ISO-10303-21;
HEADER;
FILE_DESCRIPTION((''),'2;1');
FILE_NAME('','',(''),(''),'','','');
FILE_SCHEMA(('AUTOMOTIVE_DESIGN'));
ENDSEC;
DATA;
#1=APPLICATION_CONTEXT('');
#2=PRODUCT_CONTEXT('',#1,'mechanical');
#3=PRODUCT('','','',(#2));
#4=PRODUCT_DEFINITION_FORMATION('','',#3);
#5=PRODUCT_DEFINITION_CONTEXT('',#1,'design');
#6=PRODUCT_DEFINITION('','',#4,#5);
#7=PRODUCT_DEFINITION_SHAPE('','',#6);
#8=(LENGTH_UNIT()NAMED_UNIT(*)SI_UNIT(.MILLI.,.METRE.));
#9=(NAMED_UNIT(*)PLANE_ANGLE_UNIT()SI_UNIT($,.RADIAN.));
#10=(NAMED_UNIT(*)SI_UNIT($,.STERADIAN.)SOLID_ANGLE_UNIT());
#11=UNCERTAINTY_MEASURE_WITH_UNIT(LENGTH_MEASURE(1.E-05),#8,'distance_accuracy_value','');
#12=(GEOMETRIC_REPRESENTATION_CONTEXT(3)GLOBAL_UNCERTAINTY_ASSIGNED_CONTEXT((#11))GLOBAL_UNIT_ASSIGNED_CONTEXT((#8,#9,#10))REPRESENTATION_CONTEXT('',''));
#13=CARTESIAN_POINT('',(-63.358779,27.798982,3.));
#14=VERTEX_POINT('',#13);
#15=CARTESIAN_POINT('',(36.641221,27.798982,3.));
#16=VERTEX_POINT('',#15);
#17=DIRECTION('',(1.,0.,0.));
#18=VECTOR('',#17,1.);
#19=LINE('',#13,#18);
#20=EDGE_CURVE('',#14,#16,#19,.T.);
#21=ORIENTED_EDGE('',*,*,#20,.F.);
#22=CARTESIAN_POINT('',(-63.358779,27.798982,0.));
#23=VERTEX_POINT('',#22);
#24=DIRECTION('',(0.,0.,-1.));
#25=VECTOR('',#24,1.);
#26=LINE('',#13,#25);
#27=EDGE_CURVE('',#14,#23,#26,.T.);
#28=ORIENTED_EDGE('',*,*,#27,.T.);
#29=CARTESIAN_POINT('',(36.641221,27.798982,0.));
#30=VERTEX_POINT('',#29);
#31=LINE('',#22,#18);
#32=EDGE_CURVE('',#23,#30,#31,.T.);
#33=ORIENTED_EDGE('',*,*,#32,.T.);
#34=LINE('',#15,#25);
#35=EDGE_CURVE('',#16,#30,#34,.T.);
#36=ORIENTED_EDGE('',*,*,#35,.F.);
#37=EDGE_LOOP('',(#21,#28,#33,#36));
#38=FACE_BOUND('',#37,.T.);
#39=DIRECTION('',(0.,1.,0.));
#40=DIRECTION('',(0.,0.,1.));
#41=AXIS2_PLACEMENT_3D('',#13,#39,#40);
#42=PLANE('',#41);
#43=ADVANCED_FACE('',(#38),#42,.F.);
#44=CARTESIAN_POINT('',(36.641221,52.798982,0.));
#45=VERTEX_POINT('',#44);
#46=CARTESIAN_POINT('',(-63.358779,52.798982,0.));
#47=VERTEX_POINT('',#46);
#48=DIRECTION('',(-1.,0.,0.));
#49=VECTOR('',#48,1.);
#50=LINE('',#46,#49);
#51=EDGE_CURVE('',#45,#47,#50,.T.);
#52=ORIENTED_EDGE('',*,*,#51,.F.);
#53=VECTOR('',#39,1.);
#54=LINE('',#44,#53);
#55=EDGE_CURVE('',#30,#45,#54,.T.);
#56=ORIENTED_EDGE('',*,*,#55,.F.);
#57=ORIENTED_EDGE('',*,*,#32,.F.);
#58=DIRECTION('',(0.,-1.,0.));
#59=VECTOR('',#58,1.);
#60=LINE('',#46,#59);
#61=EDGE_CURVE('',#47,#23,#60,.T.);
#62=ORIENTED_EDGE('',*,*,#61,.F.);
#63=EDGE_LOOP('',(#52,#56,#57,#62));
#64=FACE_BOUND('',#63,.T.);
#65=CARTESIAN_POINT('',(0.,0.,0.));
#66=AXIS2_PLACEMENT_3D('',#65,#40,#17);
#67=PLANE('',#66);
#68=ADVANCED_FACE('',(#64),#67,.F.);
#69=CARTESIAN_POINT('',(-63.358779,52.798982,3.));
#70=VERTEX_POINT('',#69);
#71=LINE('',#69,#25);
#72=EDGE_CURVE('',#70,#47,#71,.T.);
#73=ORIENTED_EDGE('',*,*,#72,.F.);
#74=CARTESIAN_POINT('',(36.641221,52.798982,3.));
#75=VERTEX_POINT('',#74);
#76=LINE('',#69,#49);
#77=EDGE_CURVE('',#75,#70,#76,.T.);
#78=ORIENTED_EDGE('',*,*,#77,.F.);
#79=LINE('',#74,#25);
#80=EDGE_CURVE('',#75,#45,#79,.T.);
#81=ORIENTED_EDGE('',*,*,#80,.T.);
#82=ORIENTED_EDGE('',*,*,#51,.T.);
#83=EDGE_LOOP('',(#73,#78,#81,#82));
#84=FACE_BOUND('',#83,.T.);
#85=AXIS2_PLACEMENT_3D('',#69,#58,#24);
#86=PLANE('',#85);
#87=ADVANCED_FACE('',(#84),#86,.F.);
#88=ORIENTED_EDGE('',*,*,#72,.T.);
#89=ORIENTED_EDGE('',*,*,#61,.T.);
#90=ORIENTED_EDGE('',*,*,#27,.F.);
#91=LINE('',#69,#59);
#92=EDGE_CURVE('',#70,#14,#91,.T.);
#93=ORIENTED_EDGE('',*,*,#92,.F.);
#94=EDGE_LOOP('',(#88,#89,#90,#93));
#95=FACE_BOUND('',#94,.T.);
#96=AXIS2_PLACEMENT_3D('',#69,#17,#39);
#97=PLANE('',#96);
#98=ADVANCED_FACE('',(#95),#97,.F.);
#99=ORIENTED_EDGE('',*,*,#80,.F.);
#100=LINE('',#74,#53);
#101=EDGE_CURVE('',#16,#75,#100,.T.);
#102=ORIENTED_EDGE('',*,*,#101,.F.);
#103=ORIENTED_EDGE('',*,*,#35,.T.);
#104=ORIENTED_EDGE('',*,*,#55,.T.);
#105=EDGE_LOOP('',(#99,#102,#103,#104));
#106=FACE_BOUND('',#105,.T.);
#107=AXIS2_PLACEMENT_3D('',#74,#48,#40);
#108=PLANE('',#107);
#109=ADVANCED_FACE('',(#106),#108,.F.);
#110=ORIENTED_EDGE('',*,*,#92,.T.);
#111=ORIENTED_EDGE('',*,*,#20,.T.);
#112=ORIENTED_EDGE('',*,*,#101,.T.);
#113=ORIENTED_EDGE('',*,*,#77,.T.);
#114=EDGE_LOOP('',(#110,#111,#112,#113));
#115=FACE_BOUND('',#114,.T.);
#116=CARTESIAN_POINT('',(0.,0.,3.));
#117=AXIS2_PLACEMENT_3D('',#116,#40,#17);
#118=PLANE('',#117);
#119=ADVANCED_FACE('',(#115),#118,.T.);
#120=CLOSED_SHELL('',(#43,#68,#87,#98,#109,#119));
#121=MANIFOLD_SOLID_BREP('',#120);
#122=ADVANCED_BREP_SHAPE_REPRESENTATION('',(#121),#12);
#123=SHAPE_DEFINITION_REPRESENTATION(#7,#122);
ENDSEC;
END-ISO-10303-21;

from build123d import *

# Parameters (mm, degrees)
SKETCH1_W           = 100
SKETCH1_H           = 25
BOSS_EXTRUDE1_DEPTH = 3


with BuildPart() as part:
    # Sketch1 → Boss-Extrude1 (new body)
    with BuildSketch(Plane.XY):
        with Locations((-13.358778626, 40.298982188)):
            Rectangle(SKETCH1_W, SKETCH1_H)
    extrude(amount=BOSS_EXTRUDE1_DEPTH)


solid = part.part
